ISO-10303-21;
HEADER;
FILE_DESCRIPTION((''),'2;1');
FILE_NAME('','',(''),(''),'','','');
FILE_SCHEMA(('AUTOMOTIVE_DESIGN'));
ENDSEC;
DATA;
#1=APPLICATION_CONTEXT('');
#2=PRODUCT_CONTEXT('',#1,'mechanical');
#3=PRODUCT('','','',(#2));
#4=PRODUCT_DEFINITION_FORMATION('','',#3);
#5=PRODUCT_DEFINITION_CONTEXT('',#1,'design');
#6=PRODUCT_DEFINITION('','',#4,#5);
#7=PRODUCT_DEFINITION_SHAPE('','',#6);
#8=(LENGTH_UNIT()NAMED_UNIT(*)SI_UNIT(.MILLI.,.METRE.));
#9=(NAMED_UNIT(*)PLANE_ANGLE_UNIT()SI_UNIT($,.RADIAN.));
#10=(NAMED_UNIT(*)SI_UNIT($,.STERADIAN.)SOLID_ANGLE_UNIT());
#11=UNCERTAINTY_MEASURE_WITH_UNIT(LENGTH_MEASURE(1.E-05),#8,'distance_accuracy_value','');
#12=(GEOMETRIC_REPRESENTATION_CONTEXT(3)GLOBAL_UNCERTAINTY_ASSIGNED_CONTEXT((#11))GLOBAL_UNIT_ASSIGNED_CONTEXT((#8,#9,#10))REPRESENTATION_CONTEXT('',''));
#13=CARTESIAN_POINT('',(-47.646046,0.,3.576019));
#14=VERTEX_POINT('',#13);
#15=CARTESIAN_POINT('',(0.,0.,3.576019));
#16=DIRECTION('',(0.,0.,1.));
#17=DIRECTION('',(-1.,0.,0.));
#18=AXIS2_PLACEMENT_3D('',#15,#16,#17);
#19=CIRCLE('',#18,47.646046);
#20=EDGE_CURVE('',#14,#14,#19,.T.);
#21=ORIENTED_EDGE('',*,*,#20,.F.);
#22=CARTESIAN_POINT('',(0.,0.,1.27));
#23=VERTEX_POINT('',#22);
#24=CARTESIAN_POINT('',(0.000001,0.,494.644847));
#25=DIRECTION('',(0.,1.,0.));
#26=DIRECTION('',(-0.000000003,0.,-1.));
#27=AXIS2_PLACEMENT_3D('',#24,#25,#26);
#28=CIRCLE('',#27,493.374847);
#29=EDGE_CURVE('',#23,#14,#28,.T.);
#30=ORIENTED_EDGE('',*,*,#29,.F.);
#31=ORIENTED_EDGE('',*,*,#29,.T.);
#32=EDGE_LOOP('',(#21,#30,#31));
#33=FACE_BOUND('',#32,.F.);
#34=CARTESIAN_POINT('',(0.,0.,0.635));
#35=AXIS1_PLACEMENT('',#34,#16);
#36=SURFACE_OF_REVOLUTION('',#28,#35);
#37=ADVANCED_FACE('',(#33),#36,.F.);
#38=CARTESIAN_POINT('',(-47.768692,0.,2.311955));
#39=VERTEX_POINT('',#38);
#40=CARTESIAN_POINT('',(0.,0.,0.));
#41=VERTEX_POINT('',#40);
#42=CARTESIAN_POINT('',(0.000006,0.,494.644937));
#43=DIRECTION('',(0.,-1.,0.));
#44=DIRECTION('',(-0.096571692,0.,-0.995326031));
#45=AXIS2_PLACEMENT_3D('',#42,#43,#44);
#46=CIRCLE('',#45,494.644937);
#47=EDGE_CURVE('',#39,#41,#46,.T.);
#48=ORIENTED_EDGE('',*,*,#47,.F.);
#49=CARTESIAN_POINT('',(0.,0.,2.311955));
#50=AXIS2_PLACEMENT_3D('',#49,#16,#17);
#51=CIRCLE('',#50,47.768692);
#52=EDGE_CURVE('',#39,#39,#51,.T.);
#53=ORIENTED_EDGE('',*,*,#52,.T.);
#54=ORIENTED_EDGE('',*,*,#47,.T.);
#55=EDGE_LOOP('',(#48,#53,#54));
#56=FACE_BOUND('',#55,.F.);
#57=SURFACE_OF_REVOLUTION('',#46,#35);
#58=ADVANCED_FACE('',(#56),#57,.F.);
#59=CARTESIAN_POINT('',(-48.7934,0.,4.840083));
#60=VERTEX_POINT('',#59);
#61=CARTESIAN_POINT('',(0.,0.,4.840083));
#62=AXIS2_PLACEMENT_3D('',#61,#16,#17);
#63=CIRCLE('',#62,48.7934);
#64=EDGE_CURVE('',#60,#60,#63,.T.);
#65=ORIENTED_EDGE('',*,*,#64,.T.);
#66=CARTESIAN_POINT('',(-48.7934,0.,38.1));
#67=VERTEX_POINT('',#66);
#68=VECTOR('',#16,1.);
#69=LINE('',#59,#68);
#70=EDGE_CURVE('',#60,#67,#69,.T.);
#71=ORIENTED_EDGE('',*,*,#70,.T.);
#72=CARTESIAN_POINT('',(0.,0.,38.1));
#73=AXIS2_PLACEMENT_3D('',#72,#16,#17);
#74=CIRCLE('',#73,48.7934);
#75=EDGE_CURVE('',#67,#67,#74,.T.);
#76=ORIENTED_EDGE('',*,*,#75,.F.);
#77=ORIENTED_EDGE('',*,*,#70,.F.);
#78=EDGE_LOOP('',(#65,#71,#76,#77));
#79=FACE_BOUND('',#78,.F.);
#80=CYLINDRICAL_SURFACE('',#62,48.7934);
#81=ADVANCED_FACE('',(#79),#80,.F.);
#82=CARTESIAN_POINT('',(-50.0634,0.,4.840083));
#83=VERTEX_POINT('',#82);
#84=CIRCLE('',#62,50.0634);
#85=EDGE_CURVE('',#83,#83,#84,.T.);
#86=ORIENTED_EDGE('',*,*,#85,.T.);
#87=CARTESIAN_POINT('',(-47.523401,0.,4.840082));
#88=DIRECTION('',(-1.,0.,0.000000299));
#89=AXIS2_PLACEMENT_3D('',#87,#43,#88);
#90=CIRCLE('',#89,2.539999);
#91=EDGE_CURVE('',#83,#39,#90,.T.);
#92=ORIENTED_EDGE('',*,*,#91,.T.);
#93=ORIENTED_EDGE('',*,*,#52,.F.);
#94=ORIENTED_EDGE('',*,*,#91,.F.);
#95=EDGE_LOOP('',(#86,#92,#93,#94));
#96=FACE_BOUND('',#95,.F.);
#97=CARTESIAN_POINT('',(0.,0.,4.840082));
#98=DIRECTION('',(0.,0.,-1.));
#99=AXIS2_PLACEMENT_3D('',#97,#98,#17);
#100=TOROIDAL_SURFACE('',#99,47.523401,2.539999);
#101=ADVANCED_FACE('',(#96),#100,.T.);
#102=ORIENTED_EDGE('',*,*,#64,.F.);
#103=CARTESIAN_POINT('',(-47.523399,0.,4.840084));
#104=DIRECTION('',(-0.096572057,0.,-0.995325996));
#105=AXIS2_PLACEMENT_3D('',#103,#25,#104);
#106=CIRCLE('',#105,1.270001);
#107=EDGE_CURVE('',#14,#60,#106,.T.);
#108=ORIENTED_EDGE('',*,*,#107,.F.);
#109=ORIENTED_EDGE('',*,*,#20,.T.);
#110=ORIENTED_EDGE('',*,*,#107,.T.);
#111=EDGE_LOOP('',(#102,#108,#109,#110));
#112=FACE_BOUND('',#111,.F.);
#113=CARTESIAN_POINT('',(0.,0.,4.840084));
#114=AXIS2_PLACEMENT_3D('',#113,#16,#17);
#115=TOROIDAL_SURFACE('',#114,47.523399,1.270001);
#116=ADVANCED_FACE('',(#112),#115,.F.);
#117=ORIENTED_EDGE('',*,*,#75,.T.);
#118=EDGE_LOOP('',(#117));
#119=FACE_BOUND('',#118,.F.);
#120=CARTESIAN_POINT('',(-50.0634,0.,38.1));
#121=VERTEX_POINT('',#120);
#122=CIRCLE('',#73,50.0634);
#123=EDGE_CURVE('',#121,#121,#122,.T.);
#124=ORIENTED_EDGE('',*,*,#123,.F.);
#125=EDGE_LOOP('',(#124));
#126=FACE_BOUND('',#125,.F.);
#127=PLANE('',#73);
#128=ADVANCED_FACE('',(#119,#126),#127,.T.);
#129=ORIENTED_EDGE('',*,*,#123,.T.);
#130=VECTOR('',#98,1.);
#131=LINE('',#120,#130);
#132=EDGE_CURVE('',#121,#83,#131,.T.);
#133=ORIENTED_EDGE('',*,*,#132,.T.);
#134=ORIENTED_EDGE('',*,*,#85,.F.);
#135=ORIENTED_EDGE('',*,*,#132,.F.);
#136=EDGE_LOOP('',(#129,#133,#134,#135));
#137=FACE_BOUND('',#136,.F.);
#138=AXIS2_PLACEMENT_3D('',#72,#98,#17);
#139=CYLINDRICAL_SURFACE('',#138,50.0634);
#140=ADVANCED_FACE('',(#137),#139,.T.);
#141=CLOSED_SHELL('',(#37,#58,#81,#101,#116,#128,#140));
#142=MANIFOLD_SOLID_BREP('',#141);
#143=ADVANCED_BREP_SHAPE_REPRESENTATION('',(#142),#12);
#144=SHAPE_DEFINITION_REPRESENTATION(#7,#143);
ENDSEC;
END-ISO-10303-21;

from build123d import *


with BuildPart() as f1:
    # F0 (on Front) → F1 (revolve)
    with BuildSketch(Plane.XZ):
        with BuildLine():
            Line((-48.7934, 4.840083), (-48.7934, 38.1))
            Line((-48.7934, 38.1), (-50.0634, 38.1))
            Line((-50.0634, 38.1), (-50.0634, 4.840083))
            ThreePointArc((-50.0634, 4.840083), (-49.404177, 3.132957), (-47.768692, 2.311955))
            ThreePointArc((-47.768692, 2.311955), (-23.912304, 0.578327), (0, 0))
            Line((0, 0), (0, 1.27))
            ThreePointArc((0, 1.27), (-23.850909, 1.846842), (-47.646046, 3.576019))
            ThreePointArc((-47.646046, 3.576019), (-48.463788, 3.98652), (-48.7934, 4.840083))
        make_face()
    revolve(axis=Axis((0, 0, 0.635), (0, 0, 1)))


solid = f1.part
